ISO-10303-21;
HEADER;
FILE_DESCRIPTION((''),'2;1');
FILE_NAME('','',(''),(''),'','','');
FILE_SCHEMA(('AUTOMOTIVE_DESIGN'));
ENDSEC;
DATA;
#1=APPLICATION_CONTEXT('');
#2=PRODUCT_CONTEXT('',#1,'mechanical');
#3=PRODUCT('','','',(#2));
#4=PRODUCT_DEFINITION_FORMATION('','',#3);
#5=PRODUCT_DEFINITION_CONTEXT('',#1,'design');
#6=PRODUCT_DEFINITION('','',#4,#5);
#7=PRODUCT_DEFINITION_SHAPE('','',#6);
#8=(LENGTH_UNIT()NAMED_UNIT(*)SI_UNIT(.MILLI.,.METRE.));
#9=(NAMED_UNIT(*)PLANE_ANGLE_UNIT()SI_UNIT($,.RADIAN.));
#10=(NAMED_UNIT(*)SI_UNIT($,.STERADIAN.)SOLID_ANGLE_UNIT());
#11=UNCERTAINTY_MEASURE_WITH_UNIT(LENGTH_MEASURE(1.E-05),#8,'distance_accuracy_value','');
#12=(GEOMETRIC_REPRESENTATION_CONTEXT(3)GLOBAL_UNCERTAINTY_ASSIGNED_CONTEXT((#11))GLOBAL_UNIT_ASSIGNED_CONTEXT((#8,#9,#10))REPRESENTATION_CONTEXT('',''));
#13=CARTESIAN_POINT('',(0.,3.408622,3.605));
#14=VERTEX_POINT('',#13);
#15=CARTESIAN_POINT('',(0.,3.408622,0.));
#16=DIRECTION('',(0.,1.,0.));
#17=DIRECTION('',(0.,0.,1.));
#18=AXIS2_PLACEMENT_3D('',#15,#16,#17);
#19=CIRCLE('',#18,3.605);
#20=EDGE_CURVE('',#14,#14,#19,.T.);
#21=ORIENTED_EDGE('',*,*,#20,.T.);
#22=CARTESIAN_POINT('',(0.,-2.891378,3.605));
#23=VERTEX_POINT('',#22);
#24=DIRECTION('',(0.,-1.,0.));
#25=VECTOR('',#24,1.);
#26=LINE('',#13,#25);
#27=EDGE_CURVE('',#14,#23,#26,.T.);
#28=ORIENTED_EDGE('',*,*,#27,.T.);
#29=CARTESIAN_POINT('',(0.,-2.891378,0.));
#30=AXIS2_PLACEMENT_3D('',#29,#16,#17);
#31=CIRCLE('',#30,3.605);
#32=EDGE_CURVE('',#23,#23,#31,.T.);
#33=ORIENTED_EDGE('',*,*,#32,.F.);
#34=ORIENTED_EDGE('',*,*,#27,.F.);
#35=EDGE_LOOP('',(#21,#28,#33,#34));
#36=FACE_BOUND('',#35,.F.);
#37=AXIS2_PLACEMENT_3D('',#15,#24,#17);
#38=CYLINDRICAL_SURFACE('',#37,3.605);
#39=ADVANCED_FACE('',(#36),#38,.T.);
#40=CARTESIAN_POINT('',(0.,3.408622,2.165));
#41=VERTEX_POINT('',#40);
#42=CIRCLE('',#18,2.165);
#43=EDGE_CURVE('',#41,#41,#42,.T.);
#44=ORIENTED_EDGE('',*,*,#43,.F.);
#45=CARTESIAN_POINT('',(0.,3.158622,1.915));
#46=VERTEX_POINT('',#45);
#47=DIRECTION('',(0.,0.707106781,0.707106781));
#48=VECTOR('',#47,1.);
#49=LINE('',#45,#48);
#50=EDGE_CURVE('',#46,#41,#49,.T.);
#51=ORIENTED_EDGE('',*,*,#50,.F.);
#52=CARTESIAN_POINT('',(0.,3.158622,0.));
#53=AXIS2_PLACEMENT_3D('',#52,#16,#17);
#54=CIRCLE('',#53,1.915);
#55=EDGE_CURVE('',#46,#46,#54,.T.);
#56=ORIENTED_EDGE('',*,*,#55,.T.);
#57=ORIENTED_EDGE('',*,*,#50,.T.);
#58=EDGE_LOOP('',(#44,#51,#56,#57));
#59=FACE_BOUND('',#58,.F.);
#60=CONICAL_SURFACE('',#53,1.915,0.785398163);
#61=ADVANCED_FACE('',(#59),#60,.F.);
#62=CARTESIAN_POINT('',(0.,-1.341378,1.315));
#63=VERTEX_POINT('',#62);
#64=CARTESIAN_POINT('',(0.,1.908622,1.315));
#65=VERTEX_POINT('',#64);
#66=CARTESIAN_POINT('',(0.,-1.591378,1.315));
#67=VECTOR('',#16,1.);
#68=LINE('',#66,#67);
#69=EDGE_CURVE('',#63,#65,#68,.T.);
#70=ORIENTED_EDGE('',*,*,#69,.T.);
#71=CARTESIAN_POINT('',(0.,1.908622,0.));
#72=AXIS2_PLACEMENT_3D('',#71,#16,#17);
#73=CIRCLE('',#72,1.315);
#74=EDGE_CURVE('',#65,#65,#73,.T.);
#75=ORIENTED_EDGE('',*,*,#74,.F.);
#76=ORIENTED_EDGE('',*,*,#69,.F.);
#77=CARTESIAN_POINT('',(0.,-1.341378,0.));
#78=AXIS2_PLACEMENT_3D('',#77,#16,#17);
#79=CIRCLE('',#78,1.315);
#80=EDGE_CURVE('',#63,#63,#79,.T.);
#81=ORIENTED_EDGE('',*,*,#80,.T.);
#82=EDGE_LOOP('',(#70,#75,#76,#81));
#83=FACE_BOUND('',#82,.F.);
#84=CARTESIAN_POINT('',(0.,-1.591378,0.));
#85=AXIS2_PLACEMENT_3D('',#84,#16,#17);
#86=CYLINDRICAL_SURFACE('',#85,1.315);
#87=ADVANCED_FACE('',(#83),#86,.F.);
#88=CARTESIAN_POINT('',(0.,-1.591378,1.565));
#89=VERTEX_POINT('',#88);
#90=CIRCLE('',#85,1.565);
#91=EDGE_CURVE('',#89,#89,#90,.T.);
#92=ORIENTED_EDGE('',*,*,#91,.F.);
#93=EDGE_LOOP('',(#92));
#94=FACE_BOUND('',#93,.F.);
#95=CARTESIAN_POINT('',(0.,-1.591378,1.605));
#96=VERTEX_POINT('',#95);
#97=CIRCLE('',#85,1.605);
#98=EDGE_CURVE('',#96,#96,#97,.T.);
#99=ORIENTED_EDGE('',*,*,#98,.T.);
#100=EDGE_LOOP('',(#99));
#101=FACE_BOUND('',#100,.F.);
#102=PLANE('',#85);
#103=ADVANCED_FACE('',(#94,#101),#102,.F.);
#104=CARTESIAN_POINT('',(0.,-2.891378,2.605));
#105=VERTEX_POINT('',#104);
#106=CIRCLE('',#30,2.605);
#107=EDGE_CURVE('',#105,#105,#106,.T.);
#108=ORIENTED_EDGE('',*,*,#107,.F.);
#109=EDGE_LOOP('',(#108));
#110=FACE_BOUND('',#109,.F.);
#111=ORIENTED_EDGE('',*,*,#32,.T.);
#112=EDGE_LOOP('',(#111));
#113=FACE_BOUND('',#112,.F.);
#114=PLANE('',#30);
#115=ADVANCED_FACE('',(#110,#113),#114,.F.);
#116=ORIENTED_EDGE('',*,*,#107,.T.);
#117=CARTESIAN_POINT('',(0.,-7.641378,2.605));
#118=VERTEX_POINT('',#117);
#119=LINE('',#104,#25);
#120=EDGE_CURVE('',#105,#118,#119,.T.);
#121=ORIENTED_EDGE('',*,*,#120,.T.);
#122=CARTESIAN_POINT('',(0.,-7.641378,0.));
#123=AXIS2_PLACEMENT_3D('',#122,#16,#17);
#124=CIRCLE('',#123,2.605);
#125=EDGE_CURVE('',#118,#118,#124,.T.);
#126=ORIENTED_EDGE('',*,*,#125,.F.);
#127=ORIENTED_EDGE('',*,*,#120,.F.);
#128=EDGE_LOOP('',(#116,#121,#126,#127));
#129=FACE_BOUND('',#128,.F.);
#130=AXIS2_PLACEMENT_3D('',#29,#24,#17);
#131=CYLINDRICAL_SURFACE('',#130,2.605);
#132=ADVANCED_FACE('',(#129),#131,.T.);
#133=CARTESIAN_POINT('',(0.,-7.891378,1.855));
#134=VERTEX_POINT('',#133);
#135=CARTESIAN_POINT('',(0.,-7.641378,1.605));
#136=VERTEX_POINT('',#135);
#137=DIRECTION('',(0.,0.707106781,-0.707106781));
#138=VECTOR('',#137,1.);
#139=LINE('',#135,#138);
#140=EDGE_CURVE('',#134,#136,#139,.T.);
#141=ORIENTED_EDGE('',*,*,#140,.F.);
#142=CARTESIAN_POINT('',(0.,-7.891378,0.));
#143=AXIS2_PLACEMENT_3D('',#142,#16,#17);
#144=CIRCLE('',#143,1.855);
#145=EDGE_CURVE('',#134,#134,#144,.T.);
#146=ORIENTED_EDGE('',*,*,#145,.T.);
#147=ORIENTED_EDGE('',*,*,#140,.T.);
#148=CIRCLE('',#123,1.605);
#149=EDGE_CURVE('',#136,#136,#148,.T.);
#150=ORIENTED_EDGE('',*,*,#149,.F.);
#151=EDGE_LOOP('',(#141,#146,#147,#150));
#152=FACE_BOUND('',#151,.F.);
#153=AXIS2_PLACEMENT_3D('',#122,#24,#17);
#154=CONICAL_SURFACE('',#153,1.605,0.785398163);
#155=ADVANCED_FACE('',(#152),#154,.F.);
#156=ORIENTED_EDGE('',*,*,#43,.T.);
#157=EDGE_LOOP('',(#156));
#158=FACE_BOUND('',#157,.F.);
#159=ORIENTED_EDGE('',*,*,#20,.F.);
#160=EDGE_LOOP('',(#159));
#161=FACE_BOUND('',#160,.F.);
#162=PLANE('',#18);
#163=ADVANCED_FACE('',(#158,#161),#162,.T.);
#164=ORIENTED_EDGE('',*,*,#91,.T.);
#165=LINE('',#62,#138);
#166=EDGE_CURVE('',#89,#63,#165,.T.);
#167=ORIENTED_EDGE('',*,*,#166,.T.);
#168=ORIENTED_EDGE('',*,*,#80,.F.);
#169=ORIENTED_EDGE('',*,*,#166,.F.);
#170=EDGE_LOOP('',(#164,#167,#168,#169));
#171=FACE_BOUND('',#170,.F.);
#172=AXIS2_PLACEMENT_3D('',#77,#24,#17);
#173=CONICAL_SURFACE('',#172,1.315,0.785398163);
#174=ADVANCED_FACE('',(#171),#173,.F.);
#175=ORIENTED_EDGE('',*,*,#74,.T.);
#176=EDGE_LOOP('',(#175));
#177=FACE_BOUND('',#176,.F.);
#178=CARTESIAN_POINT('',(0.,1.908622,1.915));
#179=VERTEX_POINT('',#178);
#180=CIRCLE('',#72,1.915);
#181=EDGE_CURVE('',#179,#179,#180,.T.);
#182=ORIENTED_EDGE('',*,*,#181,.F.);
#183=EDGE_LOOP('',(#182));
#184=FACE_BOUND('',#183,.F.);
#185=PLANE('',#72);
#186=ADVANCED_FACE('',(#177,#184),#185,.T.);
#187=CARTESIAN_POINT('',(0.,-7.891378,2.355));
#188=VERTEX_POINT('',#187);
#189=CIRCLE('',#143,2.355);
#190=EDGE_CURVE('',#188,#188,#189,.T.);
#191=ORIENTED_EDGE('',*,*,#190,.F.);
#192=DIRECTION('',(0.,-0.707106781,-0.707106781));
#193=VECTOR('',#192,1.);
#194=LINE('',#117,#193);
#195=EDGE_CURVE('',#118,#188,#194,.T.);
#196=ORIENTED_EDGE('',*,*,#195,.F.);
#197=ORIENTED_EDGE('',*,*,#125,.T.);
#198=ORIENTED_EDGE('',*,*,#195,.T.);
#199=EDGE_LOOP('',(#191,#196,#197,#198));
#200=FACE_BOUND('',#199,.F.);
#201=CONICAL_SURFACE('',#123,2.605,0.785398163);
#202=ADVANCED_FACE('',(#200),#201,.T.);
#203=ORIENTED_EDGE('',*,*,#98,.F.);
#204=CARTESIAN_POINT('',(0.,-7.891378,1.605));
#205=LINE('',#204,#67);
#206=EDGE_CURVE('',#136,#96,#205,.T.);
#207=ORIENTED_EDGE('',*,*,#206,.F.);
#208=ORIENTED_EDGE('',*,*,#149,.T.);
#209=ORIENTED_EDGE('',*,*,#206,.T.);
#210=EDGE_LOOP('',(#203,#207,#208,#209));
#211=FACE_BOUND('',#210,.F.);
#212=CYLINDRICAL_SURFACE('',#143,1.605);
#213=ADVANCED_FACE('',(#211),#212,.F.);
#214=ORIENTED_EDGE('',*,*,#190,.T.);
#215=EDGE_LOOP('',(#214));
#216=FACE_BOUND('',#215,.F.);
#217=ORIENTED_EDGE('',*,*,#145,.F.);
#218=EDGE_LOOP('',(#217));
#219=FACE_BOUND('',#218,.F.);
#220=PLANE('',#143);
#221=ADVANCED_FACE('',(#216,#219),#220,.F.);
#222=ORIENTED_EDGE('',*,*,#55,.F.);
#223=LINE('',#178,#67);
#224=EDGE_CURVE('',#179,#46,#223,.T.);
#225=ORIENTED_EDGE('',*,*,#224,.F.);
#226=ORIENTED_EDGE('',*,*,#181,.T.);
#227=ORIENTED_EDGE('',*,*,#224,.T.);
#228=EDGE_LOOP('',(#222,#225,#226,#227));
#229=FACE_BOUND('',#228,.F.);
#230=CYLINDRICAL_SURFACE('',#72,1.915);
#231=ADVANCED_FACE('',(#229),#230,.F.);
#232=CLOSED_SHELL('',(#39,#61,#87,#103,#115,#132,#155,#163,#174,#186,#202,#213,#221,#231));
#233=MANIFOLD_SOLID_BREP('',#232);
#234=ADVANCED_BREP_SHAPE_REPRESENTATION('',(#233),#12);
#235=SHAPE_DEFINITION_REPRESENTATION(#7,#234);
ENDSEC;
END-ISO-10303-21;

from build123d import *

# Parameters (mm, degrees)
F2_SIZE = 0.25


with BuildPart() as f1:
    # F0 (on Right) → F1 (revolve)
    with BuildSketch(Plane.YZ):
        Polygon((-2.891378, 2.605), (-7.891378, 2.605), (-7.891378, 1.605), (-1.591378, 1.605), (-1.591378, 1.315), (1.908622, 1.315), (1.908622, 1.915), (3.408622, 1.915), (3.408622, 3.605), (-2.891378, 3.605), align=None)
    revolve(axis=Axis((0, 0.733622, 0), (0, 1, 0)))

    # F2
    f2_edges = [f1.edges().sort_by_distance(p)[0] for p in [
        (0, 3.408622, -1.915),
        (0, -7.891378, -1.605),
        (0, -7.891378, -2.605),
        (0, -1.591378, -1.315),
    ]]
    chamfer(f2_edges, length=F2_SIZE)


solid = f1.part
